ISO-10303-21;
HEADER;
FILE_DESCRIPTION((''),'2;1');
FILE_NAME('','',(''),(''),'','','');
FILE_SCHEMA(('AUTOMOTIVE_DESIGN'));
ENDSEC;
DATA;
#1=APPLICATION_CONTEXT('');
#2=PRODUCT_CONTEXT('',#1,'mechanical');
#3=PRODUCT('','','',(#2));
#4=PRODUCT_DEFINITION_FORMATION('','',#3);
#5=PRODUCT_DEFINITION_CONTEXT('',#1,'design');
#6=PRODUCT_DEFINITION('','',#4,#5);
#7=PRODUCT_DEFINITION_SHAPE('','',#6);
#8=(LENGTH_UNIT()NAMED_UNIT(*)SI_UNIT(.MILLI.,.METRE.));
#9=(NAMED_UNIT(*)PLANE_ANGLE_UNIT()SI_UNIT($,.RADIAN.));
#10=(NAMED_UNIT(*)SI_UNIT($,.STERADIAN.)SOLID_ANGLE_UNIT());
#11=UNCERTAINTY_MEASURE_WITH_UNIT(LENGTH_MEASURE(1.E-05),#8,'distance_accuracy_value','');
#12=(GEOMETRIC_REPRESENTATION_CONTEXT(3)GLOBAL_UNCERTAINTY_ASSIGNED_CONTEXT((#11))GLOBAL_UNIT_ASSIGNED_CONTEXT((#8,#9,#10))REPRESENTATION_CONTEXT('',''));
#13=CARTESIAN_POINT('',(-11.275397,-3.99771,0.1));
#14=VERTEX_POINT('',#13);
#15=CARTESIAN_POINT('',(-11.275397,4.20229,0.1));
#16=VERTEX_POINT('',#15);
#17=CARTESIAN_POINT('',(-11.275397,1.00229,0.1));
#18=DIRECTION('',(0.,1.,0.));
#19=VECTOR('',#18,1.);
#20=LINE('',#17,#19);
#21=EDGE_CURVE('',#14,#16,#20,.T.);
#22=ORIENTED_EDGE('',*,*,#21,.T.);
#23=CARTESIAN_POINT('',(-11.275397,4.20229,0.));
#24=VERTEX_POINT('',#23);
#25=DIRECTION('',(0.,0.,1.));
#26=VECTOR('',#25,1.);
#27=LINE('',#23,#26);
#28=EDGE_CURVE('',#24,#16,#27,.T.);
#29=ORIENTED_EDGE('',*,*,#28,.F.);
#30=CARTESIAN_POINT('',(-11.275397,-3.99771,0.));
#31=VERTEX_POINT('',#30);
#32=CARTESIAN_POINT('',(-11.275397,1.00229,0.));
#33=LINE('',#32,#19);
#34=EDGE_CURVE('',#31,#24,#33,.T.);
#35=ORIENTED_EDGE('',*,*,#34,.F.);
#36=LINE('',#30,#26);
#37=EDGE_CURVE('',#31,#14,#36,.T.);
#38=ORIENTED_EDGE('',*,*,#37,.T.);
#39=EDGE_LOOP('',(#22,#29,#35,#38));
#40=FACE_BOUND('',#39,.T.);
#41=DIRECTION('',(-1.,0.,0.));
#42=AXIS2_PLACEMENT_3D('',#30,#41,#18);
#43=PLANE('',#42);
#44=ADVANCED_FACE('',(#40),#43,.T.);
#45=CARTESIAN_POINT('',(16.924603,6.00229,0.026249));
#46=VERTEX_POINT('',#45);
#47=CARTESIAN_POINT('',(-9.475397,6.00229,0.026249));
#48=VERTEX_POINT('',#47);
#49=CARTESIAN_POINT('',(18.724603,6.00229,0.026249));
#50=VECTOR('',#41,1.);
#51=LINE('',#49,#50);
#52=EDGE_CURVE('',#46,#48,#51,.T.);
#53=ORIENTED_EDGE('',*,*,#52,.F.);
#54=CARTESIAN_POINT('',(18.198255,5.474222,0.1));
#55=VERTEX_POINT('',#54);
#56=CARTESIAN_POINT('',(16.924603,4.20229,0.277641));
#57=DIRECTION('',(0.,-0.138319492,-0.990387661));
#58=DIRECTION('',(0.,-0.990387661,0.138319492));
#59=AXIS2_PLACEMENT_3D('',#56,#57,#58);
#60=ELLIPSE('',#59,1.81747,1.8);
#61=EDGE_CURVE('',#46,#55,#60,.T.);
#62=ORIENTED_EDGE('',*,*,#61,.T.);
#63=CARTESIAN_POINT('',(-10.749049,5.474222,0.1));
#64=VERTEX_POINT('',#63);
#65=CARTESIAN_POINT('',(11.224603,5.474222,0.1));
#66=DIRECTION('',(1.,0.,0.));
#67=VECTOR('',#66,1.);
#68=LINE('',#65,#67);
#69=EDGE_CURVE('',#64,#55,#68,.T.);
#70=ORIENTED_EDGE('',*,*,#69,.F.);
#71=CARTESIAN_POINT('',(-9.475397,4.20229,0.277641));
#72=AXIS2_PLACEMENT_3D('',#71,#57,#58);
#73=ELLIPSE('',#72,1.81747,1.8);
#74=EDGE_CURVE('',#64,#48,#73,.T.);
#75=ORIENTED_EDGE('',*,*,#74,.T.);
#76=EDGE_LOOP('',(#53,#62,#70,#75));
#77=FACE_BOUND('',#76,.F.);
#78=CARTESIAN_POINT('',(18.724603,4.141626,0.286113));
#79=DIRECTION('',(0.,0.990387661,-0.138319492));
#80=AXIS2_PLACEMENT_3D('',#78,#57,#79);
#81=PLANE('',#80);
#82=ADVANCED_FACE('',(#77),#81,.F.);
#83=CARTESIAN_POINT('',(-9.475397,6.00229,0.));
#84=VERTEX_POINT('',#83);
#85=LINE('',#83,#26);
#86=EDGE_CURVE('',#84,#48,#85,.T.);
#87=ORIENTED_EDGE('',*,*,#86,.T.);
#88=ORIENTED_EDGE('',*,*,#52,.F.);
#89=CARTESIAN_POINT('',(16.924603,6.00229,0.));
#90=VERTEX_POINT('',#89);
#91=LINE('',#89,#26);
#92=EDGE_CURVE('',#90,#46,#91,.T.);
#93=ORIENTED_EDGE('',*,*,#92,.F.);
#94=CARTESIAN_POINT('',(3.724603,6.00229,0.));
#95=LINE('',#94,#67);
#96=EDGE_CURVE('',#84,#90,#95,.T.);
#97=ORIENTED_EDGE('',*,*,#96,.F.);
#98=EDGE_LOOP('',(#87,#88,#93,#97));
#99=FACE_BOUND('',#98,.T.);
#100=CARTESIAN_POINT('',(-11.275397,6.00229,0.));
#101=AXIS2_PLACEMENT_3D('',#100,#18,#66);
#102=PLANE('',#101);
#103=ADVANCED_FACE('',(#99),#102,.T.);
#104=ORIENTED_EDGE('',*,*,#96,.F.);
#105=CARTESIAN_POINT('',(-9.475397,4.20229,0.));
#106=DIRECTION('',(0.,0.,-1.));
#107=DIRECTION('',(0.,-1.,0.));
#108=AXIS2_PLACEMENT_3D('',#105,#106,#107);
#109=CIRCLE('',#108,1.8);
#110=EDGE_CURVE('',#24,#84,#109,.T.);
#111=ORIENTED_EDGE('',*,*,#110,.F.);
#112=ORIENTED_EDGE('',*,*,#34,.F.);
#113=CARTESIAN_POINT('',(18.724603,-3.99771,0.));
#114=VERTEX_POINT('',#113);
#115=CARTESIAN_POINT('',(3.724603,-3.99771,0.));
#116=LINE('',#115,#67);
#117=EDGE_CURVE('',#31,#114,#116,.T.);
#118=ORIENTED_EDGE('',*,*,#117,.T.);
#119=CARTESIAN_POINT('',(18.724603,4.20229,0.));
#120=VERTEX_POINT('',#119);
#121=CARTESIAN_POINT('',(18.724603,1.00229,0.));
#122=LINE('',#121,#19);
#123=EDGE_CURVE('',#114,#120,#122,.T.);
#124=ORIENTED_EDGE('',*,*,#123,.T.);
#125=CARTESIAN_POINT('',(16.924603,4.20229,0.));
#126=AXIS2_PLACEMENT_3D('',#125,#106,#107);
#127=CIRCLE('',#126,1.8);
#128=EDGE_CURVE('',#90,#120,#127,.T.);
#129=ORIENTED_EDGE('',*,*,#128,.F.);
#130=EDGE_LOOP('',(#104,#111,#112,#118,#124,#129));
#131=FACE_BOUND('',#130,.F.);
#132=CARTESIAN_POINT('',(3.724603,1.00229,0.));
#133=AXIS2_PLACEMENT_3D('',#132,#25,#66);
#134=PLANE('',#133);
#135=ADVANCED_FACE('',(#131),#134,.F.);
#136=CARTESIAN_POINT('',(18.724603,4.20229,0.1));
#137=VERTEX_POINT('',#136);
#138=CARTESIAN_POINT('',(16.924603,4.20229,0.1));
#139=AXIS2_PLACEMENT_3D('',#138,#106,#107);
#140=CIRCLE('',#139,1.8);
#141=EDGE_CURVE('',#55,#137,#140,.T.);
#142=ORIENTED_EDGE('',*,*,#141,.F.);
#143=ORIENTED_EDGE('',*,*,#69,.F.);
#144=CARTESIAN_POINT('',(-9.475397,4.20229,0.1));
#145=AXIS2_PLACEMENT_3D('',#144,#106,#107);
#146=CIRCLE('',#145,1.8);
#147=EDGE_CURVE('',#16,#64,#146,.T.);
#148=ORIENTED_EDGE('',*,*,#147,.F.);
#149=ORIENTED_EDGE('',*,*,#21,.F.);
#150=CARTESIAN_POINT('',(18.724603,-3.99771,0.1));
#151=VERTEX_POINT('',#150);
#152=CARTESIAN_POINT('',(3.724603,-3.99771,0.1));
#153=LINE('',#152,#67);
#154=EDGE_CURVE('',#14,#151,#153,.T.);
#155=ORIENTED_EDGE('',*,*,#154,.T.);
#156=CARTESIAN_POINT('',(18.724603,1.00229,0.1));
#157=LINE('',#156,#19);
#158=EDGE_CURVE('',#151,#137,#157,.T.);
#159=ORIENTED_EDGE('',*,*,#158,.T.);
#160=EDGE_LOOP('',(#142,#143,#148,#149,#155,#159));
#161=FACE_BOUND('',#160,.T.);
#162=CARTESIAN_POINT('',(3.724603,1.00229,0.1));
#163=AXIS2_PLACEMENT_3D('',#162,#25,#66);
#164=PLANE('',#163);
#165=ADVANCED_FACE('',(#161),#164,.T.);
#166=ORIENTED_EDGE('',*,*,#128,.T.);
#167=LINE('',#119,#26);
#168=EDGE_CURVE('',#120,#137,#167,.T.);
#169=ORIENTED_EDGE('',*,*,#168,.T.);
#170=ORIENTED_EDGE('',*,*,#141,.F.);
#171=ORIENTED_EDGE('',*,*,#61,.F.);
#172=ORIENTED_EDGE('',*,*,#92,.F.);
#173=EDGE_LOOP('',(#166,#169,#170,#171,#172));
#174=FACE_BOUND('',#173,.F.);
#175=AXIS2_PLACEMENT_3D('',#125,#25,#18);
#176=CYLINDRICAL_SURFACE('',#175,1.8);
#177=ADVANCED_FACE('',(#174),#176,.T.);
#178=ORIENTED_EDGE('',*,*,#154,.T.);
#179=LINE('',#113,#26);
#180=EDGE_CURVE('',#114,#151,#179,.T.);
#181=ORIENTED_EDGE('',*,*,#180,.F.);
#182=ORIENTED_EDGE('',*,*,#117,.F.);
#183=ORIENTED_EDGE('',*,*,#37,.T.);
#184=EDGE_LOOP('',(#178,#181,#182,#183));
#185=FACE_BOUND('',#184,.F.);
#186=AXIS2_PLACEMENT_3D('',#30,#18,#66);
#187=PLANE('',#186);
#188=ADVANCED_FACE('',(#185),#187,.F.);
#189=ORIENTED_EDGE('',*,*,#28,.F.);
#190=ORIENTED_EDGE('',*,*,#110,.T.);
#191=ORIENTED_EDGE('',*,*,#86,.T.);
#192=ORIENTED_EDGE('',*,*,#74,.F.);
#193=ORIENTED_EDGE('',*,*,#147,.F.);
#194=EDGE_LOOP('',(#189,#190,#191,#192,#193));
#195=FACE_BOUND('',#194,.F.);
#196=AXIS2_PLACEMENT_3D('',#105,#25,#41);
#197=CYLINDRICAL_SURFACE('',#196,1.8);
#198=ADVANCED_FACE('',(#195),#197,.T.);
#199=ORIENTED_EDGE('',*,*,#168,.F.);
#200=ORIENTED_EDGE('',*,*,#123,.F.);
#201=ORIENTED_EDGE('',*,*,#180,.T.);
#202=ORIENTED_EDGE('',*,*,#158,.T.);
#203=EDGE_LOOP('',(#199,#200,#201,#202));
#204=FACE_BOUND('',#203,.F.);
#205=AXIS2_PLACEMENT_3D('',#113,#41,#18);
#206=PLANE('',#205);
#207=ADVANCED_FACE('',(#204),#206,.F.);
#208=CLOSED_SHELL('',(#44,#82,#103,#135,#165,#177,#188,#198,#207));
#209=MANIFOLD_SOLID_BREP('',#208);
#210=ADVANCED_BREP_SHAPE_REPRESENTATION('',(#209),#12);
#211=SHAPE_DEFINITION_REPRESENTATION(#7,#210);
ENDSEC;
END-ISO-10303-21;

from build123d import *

# Parameters (mm, degrees)
F0_W     = 30
F0_H     = 10
F1_DEPTH = 0.1
F3_DEPTH = 57.2
F4_R     = 1.8


with BuildPart() as f1:
    # F0 (on Top) → F1 (new body)
    with BuildSketch(Plane.XY):
        with Locations((3.724603, 1.00229)):
            Rectangle(F0_W, F0_H)
    extrude(amount=F1_DEPTH)

    # F2 (on face) → F3 (cut)
    with BuildSketch(Plane.YZ.offset(18.724603)):
        Polygon((4.141626, 0.286113), (6.00229, 0.026249), (6.009877, 0.025722), (7.013663, 0.1), (6.508347, 0.436859), align=None)
    extrude(amount=-F3_DEPTH, mode=Mode.SUBTRACT)

    # F4
    f4_edges = [f1.edges().sort_by_distance(p)[0] for p in [
        (18.724603, 6.00229, 0.013124),
        (-11.275397, 6.00229, 0.013124),
    ]]
    fillet(f4_edges, radius=F4_R)


solid = f1.part
